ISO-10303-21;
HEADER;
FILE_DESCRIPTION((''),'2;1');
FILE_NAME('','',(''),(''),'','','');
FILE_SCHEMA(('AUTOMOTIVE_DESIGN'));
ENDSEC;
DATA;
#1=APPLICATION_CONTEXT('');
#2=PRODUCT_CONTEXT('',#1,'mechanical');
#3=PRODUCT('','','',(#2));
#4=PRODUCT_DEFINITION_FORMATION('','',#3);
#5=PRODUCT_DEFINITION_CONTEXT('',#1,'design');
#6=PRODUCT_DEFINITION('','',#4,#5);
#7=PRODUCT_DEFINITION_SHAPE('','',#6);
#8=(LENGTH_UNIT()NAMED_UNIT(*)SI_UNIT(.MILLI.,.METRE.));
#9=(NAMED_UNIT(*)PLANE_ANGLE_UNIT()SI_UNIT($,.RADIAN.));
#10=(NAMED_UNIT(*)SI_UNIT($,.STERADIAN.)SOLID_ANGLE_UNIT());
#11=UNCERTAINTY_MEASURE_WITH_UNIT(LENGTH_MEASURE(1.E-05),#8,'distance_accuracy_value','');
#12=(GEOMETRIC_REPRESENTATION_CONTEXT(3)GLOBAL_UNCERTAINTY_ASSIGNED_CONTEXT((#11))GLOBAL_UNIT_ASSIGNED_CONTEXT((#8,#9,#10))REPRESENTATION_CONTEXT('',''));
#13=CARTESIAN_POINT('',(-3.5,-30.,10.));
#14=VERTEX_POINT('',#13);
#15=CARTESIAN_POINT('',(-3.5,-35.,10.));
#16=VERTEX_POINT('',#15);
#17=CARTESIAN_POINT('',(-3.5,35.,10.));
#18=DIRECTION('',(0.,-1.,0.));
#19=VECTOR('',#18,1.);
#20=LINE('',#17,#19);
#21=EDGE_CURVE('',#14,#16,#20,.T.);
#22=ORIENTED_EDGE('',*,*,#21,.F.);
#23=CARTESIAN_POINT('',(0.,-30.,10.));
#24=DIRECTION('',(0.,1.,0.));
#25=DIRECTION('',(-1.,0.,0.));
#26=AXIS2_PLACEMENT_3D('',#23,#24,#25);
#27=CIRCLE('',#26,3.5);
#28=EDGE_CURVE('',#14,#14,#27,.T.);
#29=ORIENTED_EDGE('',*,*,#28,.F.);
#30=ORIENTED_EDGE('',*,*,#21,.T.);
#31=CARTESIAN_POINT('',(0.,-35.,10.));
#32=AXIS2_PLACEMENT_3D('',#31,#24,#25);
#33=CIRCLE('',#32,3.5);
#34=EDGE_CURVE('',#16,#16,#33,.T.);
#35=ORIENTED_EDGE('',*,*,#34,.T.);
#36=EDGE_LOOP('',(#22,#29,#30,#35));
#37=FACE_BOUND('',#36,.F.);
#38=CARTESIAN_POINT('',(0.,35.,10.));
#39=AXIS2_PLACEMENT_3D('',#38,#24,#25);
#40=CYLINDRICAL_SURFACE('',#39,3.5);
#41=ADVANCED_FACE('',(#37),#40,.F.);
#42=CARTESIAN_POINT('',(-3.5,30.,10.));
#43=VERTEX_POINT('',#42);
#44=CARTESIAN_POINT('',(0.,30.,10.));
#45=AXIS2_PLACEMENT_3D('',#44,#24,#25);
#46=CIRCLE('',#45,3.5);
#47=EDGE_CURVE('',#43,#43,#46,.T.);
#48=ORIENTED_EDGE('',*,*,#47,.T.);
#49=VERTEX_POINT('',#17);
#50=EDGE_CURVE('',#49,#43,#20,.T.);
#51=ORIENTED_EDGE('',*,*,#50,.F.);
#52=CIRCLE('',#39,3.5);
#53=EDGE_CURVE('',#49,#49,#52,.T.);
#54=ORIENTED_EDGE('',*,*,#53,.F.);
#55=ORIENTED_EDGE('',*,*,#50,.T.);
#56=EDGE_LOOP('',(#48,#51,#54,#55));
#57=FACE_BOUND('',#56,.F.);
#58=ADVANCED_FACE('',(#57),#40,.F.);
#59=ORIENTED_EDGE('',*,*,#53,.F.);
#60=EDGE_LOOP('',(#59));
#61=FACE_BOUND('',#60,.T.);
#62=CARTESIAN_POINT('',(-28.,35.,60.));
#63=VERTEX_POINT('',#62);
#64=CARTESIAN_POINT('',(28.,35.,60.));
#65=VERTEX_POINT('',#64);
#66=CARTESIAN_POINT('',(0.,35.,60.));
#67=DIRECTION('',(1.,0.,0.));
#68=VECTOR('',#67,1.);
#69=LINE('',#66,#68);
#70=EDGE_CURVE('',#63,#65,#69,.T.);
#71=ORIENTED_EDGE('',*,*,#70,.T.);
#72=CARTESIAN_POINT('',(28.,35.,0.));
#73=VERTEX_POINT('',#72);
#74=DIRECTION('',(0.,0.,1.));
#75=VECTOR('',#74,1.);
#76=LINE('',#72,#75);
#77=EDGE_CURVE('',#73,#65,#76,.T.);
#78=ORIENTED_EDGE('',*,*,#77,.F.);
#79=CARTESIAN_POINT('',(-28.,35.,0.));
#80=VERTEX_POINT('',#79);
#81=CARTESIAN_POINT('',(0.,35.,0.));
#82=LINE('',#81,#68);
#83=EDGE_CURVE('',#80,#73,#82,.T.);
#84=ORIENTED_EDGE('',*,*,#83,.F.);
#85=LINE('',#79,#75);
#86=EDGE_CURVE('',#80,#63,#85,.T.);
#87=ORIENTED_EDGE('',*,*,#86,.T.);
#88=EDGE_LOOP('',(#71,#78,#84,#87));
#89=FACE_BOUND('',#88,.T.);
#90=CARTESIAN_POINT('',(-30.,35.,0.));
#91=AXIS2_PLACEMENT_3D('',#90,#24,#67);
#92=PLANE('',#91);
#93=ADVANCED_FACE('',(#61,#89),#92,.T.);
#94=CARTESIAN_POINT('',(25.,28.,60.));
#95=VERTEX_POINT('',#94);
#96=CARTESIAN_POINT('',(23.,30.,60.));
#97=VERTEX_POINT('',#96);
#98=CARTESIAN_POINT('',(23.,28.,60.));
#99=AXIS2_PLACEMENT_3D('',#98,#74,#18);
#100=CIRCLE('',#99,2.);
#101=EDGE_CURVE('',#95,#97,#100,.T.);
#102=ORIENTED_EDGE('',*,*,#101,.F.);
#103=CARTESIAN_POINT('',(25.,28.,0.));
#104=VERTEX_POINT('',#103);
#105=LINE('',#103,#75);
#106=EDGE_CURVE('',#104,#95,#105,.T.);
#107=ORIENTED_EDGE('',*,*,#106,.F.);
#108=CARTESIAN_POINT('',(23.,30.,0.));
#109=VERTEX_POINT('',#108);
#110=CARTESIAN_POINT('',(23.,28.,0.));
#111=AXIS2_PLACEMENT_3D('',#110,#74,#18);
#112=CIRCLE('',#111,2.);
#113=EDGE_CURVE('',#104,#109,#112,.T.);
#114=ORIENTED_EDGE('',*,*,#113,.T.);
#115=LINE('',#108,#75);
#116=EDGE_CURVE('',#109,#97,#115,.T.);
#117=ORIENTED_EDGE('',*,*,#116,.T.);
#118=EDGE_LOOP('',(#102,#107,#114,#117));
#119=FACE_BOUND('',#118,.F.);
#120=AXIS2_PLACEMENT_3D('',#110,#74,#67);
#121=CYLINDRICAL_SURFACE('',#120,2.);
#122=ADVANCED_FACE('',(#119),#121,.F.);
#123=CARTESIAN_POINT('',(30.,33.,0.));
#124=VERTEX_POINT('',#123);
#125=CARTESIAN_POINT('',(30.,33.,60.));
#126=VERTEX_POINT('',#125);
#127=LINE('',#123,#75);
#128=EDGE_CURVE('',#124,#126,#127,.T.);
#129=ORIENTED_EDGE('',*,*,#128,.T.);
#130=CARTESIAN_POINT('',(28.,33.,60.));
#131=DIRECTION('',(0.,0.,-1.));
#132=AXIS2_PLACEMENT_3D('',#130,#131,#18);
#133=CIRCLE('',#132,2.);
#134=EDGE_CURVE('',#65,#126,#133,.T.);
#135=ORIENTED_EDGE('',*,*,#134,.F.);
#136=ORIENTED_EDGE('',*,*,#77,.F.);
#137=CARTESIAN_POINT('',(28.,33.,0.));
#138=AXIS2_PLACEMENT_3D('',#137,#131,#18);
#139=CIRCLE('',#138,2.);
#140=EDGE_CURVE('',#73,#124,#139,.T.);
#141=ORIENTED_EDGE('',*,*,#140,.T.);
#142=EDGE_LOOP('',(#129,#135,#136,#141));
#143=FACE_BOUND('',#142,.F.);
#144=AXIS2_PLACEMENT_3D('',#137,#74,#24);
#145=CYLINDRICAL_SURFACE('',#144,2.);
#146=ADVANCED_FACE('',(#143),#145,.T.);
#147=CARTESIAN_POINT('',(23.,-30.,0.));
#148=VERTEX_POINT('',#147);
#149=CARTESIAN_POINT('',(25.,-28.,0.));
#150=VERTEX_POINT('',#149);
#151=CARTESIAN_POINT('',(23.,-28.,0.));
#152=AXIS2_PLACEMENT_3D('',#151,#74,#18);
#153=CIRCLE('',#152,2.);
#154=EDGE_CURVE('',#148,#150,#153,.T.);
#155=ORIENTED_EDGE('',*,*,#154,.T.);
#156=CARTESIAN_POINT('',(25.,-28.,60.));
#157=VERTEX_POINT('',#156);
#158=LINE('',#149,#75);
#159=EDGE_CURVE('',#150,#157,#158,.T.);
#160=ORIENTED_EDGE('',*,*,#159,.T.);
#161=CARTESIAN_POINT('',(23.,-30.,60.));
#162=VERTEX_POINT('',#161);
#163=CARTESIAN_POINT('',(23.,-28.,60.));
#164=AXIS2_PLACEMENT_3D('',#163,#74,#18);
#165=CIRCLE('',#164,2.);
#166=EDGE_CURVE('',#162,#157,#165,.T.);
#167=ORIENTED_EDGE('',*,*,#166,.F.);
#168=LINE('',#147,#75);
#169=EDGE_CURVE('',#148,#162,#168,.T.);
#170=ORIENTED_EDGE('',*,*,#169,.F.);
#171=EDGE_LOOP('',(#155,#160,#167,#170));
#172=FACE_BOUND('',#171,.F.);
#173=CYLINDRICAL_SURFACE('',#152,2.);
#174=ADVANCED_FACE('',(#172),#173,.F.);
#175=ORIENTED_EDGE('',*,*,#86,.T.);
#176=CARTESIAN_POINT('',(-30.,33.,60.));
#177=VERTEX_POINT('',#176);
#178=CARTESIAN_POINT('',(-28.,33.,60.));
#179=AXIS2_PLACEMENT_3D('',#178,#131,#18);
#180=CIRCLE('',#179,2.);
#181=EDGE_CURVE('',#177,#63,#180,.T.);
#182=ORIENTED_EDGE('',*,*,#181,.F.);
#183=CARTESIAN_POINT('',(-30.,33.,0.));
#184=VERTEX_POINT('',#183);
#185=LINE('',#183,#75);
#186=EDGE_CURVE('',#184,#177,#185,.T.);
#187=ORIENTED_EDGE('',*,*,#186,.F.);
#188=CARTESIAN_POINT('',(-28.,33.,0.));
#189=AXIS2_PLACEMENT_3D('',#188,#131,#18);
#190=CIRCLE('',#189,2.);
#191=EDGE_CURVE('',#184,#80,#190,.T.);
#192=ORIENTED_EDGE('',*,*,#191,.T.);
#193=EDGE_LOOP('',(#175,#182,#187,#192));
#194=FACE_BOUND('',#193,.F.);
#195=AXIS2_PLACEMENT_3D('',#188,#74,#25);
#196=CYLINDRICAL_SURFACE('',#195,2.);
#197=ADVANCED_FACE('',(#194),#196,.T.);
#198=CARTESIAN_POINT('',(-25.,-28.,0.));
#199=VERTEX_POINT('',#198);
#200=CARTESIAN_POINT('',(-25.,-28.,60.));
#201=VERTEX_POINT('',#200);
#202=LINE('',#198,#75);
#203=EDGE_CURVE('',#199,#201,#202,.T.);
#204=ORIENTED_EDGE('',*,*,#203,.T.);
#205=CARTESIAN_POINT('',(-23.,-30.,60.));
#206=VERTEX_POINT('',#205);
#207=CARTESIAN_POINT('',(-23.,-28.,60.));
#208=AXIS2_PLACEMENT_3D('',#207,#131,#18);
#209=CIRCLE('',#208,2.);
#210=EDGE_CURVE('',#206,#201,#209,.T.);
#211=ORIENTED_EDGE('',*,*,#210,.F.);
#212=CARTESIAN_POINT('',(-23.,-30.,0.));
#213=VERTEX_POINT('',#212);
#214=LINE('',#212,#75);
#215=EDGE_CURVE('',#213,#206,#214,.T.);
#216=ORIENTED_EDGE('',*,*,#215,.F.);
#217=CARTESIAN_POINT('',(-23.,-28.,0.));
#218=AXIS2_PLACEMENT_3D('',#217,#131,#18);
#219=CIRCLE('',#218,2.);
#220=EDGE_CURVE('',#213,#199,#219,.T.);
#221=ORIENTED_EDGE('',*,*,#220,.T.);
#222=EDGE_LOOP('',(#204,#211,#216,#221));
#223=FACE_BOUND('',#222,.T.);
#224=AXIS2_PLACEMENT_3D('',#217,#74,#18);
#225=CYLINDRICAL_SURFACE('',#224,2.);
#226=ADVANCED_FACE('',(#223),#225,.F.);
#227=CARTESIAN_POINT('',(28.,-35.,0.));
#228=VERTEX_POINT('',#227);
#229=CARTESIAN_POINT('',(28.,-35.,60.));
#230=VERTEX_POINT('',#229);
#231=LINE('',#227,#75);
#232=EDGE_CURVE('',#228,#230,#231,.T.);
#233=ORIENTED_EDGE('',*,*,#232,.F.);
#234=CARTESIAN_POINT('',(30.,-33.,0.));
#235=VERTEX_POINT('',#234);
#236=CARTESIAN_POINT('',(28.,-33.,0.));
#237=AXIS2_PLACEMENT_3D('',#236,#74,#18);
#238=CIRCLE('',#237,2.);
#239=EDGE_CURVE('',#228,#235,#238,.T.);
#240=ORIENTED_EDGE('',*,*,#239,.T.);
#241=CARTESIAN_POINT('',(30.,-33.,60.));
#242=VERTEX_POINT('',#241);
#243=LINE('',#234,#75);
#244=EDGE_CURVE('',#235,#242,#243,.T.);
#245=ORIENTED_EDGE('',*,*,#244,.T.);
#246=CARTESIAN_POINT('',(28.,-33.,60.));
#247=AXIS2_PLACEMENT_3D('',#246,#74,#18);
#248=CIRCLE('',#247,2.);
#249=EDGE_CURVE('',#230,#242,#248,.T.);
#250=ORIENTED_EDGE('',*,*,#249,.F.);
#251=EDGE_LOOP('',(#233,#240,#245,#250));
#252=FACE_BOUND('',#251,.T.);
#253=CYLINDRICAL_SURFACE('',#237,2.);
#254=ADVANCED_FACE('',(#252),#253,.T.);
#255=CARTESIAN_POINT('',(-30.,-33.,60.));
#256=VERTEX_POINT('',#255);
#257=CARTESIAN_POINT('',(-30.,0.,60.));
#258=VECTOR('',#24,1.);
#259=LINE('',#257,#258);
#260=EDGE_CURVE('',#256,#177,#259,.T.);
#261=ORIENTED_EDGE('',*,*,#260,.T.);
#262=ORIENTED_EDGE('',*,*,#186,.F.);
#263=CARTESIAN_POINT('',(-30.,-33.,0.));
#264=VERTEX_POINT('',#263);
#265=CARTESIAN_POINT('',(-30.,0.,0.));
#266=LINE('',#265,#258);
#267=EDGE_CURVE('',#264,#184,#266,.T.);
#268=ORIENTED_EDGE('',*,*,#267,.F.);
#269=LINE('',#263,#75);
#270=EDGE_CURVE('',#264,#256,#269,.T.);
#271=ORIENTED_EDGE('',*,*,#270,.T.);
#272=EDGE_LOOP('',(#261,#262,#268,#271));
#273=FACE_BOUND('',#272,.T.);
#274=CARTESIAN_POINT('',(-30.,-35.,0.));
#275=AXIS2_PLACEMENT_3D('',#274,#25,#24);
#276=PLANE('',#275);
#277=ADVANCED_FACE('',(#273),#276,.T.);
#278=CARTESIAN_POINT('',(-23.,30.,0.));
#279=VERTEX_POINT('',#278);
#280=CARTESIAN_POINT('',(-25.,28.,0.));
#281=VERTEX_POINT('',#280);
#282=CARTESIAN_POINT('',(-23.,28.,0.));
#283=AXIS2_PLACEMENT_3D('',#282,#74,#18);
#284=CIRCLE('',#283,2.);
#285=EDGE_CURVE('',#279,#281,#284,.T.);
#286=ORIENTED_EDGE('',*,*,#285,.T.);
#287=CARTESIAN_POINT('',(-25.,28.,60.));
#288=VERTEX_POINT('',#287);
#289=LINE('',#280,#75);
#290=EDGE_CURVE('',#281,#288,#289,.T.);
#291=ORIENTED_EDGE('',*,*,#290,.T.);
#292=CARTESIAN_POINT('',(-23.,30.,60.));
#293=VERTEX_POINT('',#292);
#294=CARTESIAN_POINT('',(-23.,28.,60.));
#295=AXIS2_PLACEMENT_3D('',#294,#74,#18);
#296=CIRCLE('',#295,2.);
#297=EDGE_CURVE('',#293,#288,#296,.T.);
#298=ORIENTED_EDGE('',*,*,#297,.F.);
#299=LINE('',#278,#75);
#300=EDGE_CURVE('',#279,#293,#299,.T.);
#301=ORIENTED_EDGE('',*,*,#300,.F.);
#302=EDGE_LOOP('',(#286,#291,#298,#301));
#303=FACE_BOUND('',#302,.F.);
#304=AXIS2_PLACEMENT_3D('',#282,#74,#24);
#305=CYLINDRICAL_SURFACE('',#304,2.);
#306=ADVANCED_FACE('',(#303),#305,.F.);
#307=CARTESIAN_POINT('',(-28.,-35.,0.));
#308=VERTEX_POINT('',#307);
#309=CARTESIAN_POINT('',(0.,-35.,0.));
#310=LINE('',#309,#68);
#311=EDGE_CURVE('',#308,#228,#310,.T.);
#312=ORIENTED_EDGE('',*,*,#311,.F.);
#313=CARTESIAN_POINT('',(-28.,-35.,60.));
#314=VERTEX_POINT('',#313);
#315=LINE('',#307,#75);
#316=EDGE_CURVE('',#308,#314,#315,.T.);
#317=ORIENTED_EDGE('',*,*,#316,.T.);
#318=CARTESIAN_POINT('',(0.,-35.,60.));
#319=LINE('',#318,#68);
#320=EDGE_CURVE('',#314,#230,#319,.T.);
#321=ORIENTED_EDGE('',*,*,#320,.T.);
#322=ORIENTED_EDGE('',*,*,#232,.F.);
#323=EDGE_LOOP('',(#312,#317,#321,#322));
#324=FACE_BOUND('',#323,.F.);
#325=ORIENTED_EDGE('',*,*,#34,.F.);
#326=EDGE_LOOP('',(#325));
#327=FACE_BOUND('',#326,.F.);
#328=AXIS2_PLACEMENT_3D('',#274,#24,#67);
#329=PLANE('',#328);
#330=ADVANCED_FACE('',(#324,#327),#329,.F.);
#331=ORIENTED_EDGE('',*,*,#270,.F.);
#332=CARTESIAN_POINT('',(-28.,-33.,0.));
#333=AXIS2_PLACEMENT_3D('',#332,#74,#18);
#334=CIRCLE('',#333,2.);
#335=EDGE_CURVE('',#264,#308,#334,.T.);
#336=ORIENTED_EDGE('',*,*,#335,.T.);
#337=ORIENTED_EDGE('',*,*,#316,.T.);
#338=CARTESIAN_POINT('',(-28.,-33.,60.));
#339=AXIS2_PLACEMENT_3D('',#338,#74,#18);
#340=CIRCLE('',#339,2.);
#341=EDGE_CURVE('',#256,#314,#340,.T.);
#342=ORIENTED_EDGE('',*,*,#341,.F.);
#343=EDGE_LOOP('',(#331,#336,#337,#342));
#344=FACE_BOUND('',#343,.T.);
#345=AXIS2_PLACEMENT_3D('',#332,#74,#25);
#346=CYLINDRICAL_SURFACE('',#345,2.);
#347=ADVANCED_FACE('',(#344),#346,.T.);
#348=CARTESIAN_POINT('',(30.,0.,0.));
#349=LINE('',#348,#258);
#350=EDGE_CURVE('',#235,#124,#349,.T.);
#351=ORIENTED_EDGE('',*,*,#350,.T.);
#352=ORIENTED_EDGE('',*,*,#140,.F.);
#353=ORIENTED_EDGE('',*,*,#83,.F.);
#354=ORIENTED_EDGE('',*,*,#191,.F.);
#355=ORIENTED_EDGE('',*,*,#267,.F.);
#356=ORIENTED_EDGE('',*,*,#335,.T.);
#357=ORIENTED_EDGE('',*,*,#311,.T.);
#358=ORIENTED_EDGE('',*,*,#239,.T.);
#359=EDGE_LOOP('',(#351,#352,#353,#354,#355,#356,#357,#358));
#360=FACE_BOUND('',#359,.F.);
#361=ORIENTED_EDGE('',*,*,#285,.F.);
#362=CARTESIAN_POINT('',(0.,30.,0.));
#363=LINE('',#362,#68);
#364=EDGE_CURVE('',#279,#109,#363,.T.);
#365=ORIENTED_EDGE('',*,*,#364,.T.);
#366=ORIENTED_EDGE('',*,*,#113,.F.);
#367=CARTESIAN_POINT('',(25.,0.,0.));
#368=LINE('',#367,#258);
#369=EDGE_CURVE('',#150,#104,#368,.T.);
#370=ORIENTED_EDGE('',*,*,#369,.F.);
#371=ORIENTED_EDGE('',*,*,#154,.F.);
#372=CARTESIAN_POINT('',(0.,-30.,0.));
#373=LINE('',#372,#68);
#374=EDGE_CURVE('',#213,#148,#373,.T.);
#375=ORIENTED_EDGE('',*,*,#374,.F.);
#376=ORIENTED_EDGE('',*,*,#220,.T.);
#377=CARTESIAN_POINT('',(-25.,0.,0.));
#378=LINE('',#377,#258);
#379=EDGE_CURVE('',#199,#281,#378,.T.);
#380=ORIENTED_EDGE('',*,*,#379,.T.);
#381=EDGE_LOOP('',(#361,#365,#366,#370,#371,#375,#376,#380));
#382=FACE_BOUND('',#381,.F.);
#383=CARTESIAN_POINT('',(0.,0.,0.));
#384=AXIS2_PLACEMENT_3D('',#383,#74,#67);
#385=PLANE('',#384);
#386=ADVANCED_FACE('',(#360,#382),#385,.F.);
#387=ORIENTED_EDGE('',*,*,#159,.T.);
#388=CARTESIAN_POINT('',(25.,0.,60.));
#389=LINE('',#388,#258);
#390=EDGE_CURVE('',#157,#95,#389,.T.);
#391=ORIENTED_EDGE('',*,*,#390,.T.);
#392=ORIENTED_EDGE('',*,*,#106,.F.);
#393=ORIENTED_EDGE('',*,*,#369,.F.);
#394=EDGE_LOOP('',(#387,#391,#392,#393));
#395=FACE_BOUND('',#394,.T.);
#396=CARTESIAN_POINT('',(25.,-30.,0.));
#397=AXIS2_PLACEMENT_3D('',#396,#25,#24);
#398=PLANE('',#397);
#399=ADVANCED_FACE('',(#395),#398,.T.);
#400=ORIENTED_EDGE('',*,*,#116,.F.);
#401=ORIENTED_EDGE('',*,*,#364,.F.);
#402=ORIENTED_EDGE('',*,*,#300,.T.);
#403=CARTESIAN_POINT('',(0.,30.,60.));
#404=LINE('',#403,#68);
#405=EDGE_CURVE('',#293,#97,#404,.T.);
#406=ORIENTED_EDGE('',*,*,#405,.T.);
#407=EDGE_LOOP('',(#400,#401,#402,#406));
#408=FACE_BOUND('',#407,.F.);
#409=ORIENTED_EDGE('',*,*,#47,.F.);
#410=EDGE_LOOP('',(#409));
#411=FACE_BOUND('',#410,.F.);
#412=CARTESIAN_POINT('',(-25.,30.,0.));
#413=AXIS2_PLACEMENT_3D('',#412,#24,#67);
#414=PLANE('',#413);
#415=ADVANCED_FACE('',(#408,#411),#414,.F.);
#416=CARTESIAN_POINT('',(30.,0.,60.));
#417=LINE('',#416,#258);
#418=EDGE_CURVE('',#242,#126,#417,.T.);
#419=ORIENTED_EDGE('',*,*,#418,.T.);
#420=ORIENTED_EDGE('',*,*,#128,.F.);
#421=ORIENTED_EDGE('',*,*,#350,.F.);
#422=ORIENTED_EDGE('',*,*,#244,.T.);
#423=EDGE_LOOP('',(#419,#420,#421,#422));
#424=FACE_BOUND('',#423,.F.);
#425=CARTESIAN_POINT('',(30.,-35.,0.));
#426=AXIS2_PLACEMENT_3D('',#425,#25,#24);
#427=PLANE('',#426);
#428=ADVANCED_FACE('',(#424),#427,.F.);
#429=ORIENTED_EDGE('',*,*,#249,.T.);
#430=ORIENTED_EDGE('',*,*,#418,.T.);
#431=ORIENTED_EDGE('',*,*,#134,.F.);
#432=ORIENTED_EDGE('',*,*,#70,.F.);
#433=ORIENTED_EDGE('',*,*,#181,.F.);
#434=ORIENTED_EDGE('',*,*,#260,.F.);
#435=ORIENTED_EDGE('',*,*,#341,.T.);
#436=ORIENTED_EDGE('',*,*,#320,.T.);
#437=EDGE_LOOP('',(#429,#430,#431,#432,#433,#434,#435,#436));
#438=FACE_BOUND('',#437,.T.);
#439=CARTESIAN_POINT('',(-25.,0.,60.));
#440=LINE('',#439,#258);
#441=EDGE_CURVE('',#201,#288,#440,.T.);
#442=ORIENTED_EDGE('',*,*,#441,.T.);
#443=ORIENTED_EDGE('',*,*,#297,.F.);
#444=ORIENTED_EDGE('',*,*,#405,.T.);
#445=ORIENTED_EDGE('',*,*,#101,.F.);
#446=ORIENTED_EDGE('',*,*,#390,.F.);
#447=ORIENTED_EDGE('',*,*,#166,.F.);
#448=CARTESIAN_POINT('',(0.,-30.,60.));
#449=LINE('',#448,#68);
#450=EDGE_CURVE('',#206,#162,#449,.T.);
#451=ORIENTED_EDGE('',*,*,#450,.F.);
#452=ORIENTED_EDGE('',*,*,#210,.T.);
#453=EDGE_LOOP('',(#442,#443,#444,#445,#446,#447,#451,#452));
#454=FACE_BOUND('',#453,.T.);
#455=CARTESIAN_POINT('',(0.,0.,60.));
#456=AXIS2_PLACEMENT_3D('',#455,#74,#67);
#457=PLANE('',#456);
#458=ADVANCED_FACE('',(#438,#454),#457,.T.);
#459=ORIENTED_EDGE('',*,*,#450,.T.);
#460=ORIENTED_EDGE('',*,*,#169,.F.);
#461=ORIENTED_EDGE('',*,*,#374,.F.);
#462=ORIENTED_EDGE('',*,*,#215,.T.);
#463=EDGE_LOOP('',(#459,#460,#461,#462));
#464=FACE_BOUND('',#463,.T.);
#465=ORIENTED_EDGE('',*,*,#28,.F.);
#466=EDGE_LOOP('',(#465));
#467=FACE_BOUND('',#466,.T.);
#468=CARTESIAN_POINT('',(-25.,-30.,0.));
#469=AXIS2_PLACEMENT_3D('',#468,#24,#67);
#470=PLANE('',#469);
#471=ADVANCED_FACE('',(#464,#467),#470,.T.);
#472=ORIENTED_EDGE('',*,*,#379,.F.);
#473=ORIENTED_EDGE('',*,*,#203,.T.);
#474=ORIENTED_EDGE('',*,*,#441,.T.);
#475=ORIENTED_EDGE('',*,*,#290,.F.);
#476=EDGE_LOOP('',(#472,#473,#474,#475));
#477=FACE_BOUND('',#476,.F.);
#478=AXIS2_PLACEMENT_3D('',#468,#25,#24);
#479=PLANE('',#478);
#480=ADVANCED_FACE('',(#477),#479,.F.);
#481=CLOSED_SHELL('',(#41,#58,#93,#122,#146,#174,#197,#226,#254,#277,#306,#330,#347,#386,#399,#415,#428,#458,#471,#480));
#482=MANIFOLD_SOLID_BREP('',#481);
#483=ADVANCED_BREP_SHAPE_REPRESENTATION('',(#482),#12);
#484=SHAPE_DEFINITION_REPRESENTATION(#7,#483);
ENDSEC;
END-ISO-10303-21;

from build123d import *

# Parameters (mm, degrees)
F0_W     = 60
F0_H     = 70
F0_W_2   = 50
F0_H_2   = 60
F1_DEPTH = 60
F2_R     = 2
F3_R     = 3.5
F4_DEPTH = 70


with BuildPart() as f1:
    # F0 (on Top) → F1 (new body)
    with BuildSketch(Plane.XY):
        Rectangle(F0_W, F0_H)
        Rectangle(F0_W_2, F0_H_2, mode=Mode.SUBTRACT)
    extrude(amount=F1_DEPTH)

    # F2
    f2_edges = [f1.edges().sort_by_distance(p)[0] for p in [
        (-30, 35, 30),
        (30, 35, 30),
        (30, -35, 30),
        (-30, -35, 30),
        (-25, 30, 30),
        (25, 30, 30),
        (25, -30, 30),
        (-25, -30, 30),
    ]]
    fillet(f2_edges, radius=F2_R)

    # F3 (on face) → F4 (cut)
    with BuildSketch(Plane(origin=(0, 35, 0), x_dir=(-1, 0, 0), z_dir=(0, 1, 0))):
        with Locations((0, 10)):
            Circle(F3_R)
    extrude(amount=-F4_DEPTH, mode=Mode.SUBTRACT)


solid = f1.part
